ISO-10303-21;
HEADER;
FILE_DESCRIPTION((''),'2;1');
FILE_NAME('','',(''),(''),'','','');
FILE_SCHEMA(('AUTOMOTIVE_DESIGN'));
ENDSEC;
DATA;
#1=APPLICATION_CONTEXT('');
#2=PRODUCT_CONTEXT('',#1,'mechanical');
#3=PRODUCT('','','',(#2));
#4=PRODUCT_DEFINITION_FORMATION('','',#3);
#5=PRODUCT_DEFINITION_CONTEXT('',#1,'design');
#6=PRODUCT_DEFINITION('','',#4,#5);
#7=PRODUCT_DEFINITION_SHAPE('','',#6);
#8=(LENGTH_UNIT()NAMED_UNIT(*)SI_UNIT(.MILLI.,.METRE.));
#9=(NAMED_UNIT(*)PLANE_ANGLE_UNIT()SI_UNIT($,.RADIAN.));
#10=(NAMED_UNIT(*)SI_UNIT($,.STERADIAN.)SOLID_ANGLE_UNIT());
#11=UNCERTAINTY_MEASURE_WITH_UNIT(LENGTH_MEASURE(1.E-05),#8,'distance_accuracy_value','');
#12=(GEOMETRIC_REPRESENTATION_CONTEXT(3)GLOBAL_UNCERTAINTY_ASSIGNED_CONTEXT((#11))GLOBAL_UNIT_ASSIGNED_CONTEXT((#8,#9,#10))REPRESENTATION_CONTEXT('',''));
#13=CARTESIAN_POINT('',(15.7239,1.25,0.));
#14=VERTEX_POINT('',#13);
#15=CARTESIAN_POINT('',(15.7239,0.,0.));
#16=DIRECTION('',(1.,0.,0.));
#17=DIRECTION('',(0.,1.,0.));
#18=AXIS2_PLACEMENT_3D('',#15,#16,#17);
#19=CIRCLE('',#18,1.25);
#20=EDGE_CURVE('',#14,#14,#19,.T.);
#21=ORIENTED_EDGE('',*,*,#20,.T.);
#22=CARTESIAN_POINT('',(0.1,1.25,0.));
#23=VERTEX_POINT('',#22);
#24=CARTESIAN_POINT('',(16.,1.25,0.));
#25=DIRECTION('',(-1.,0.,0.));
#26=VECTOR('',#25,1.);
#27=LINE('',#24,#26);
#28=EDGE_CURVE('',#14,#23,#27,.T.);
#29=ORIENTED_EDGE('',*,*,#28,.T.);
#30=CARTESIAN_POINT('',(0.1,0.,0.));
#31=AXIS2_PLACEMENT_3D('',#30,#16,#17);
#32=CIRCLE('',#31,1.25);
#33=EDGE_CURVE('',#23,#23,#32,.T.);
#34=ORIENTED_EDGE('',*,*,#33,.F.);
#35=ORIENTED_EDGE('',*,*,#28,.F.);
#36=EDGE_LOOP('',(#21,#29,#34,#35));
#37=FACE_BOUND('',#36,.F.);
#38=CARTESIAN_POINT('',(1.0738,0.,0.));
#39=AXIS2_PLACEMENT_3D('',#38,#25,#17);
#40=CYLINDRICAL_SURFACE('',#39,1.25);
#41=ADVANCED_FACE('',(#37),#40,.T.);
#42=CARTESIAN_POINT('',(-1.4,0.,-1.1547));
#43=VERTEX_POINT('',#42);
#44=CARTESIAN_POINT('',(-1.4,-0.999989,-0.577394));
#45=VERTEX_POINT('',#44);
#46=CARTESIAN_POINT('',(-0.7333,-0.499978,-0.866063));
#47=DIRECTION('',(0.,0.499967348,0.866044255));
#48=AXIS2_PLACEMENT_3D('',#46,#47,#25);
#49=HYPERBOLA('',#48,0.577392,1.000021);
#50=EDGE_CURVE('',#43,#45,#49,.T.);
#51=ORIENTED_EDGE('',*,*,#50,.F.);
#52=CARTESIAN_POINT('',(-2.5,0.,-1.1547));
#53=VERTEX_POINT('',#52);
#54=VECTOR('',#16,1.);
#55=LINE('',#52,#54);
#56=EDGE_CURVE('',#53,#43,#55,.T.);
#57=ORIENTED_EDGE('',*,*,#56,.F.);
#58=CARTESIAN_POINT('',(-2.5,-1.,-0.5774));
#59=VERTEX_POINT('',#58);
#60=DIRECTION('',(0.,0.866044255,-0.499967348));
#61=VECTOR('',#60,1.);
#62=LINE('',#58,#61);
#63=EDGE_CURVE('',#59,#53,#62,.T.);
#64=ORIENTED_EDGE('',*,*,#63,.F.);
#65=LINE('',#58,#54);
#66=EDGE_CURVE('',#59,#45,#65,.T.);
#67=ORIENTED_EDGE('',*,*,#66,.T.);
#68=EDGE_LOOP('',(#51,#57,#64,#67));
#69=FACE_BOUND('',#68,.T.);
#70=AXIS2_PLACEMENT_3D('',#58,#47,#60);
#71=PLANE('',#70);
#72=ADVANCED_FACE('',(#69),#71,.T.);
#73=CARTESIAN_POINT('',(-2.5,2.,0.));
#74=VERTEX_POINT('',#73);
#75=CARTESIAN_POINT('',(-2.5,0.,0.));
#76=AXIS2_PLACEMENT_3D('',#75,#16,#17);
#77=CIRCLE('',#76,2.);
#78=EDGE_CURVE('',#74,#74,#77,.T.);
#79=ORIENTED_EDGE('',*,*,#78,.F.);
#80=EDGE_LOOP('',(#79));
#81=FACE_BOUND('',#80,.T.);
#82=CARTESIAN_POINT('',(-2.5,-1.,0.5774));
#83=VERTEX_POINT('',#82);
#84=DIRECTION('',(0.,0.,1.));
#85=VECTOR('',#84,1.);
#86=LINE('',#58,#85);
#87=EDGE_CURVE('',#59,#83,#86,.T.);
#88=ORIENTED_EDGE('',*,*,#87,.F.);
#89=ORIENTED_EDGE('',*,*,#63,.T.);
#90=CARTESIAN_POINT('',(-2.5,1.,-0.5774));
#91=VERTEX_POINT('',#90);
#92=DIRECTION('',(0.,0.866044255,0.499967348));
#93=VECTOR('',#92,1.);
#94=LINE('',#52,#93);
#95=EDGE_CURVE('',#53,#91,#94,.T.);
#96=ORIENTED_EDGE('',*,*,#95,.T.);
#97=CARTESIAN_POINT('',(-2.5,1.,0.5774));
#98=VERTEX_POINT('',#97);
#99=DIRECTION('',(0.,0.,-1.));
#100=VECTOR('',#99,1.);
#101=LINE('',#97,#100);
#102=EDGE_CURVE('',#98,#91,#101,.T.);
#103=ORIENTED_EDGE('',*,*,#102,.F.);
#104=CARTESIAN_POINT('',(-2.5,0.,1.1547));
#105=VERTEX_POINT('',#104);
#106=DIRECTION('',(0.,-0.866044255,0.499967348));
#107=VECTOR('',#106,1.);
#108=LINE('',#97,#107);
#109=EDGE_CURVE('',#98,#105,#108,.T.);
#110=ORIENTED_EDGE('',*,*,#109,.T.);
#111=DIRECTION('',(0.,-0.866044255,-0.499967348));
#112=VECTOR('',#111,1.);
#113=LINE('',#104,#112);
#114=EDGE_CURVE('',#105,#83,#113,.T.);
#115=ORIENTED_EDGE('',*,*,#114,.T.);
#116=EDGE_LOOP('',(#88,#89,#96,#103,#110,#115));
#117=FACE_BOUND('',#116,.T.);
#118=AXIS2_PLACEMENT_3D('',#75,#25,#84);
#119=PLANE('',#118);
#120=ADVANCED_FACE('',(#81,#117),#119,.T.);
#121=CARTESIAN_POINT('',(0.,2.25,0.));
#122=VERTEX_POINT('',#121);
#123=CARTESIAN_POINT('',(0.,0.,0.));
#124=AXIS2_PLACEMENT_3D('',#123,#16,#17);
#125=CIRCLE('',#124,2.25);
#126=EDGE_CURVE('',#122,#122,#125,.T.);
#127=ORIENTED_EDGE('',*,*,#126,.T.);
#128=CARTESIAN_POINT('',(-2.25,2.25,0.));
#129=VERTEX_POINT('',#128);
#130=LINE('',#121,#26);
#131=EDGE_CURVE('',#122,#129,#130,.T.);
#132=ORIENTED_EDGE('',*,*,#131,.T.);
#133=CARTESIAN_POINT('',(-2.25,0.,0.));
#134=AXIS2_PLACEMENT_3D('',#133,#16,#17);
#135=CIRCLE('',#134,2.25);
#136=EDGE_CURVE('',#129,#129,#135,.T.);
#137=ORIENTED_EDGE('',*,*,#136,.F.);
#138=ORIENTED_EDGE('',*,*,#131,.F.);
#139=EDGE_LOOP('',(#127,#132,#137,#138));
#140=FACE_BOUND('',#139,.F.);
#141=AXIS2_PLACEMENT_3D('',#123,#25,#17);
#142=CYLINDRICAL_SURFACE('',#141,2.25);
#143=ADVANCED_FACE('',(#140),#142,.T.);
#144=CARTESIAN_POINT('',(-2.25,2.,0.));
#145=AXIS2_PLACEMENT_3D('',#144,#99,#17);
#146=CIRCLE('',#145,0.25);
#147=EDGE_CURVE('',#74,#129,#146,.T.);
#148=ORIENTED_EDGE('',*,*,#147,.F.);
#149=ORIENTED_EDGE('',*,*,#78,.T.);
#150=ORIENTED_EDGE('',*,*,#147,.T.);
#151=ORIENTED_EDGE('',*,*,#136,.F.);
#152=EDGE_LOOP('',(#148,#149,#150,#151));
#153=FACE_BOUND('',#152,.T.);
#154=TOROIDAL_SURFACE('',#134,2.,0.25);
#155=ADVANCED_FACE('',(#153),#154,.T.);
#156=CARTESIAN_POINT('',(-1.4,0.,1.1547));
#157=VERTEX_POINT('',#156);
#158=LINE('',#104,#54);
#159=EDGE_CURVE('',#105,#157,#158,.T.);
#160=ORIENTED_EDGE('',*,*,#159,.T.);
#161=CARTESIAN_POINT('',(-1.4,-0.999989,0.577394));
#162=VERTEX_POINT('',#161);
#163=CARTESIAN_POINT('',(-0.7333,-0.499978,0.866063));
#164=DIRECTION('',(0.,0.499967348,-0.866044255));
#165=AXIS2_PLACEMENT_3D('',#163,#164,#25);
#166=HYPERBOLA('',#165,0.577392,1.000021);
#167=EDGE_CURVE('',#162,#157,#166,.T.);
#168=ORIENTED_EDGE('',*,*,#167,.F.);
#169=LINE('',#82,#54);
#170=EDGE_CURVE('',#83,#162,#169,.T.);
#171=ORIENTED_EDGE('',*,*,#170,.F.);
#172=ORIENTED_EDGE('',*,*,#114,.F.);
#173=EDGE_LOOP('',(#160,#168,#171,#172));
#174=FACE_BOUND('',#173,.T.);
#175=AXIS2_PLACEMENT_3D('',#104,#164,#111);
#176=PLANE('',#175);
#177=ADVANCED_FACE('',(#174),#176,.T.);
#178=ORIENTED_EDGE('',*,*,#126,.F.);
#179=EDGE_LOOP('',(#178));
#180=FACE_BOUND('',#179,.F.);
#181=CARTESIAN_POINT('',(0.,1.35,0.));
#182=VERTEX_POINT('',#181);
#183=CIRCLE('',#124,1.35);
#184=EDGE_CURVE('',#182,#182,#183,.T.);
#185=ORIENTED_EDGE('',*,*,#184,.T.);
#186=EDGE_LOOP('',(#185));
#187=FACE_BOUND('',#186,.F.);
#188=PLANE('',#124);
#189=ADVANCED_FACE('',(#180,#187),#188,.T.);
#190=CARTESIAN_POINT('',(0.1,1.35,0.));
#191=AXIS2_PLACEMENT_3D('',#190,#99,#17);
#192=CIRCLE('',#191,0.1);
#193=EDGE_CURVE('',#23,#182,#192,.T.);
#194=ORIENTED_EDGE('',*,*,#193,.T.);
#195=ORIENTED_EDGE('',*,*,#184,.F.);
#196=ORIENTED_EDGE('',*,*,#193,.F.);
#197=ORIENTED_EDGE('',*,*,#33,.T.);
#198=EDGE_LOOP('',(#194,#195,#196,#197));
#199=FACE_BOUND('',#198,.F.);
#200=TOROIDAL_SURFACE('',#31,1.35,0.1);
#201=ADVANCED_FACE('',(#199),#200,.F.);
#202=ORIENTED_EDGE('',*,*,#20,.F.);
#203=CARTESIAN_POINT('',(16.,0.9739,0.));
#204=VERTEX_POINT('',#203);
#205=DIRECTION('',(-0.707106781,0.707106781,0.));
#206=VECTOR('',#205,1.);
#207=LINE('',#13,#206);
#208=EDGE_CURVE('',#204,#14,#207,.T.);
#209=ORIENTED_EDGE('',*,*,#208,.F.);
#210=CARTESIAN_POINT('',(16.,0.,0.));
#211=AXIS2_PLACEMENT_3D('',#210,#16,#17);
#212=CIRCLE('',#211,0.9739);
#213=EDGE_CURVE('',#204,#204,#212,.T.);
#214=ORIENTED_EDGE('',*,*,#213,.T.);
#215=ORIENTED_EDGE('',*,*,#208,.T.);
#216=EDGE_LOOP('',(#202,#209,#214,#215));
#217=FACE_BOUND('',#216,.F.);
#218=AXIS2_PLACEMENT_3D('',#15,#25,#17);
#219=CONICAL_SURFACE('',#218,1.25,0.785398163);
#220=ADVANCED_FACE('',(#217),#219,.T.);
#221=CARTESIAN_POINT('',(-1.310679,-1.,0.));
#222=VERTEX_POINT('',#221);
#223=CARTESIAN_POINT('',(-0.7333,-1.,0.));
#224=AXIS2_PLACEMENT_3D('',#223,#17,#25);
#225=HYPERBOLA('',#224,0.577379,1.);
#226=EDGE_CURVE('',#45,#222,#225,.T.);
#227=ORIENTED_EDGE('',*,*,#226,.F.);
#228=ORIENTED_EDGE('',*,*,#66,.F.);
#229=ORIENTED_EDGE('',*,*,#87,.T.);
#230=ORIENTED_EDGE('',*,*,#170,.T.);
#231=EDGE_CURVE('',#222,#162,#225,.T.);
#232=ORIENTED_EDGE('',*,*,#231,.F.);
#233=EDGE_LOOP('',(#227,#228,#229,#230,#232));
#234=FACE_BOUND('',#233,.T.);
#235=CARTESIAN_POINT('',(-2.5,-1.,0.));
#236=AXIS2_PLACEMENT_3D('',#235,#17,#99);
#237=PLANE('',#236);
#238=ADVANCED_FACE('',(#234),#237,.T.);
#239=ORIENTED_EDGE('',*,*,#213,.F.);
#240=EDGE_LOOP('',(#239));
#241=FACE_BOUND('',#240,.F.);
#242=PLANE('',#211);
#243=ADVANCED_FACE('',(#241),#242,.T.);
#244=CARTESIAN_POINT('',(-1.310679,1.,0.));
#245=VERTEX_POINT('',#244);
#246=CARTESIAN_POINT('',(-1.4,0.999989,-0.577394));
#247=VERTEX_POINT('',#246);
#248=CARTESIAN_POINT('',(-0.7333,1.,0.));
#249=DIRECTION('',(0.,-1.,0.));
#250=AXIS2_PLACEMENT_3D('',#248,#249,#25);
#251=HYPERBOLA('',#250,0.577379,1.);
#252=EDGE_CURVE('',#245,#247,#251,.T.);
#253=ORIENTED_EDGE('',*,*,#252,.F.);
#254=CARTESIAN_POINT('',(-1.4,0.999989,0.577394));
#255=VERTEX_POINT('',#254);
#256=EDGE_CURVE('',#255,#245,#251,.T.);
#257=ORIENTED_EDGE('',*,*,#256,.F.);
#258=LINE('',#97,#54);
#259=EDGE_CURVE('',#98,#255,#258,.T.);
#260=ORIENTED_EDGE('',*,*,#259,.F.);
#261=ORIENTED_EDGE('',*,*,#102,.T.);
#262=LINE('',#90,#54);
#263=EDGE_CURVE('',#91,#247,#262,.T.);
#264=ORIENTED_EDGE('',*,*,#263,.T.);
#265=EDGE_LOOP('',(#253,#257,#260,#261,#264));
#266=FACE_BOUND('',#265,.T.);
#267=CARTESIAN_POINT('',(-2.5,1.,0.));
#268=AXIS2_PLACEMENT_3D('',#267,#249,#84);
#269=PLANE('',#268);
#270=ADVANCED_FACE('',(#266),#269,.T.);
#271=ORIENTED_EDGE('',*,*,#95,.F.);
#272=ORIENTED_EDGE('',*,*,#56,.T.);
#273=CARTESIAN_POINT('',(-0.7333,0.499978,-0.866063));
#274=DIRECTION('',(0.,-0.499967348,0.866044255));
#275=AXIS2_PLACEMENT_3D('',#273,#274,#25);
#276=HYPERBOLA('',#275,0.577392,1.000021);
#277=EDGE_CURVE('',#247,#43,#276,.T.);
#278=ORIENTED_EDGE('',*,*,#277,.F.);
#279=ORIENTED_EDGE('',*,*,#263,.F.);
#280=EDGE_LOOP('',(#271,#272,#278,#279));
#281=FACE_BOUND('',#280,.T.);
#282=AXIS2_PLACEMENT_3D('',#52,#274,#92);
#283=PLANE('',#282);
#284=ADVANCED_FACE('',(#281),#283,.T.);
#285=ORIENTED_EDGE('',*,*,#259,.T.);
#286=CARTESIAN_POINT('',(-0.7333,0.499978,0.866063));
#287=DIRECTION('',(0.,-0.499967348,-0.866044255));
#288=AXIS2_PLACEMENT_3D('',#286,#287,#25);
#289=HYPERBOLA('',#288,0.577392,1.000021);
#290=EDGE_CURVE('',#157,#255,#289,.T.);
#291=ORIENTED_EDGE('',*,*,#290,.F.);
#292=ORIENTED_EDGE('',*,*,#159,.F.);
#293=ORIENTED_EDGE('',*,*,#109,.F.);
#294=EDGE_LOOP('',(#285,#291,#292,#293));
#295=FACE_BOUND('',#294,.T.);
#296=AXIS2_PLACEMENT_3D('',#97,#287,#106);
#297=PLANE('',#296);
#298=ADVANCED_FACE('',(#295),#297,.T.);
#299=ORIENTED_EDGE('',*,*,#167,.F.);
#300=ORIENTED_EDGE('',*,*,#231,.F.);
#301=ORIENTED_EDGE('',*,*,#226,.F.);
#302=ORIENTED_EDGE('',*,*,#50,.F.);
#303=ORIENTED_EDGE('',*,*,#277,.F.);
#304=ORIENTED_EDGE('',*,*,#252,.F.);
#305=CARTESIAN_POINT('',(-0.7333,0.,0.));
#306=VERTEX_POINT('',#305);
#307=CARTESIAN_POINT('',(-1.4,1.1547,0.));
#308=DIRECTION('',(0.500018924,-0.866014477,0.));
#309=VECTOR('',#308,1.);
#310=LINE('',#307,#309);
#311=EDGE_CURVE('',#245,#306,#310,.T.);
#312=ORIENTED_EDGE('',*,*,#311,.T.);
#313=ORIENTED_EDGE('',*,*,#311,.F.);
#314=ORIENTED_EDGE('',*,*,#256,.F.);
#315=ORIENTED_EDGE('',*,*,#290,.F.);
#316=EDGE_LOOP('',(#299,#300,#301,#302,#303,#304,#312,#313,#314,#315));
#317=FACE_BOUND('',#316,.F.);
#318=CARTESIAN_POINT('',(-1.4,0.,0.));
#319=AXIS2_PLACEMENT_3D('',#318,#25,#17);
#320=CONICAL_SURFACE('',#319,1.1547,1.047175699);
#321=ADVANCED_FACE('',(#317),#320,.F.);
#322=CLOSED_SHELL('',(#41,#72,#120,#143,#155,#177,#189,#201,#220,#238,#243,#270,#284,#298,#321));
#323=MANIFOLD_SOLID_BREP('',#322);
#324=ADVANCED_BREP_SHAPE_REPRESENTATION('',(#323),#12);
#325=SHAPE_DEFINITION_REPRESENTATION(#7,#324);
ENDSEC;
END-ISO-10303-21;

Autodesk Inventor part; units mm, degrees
ref_plane "YZ Plane" through (0, 0, 0) normal (1, 0, 0) x (0, 1, 0)
ref_plane "XZ Plane" through (0, 0, 0) normal (0, 1, 0) x (-1, 0, 0)
sketch "Эскиз1" plane through (0, 0, 0) normal (0, 0, 1) x (1, 0, 0)
  line L0 (-0.7333, 0) -> (16, 0)
  line L1 (16, 0) -> (16, 1.25)
  line L2 (16, 1.25) -> (1.35, 1.25)
  line L3 (1.35, 1.25) -> (1.0738, 1.25)
  line L4 (1.0738, 1.25) -> (0, 1.25)
  line L5 (0, 1.25) -> (0, 2.25)
  line L6 (0, 2.25) -> (-2.5, 2.25)
  line L7 (-2.5, 2.25) -> (-2.5, 1.1547)
  line L8 (-2.5, 1.1547) -> (-1.4, 1.1547)
  line L9 (-1.4, 1.1547) -> (-0.7333, 0)
  line L10 (-6.2, 0) -> (19.7, 0) projected
  line L11 (0, -0.45) -> (0, 2.7) projected
  line L12 (1.35, 1.25) -> (0, 1.25) construction
  dimension "d1" = 14.65
  dimension "d2" = 0.2762
  dimension "d3" = 2.5
  dimension "d4" = 1.1
  dimension "d5" = 60
  dimension "d6" = 2.5
  dimension "d7" = 2.5
  dimension "d8" = 2.3094
  dimension "d9" = 4.5
  dimension "d26" = 16
revolve "Базовый элемент" add sketch "Эскиз1" angle 360 about axis through (-0.7333, 0, 0) along (1, 0, 0)
sketch "Эскиз2" plane through (-2.5, 0, 0) normal (-1, 0, 0) x (0, 0, 1)
  circle A0 centre (0, 0) radius 1.1547 projected
  line L0 (0, -3.15) -> (0, 3.15) projected
  line L1 (-3.15, 0) -> (3.15, 0) projected
  line L2 (1.1547, 0) -> (0.5774, -1)
  line L3 (0.5774, -1) -> (-0.5774, -1)
  line L4 (-0.5774, -1) -> (-1.1547, 0)
  line L5 (-1.1547, 0) -> (-0.5774, 1)
  line L6 (-0.5774, 1) -> (0.5774, 1)
  line L7 (0.5774, 1) -> (1.1547, 0)
extrude "Паз" add sketch "Эскиз2" against normal up to next contours L7 A0 | A0 L2 | L6 L0 A0 | A0 L0 L3 | L0 L6 A0 | A0 L3 L0 | L4 A0 | A0 L5
fillet "Сопряжение1" radius 0.25 1 edges at (-2.5, -2.25, 0)
thread "Резьба" size "M2.5x0.45" class "6g" standard "ISO Metric profile" length 14.65
chamfer "Фаска1" distance 0.2761 distance2 0.2761 1 edges at (16, -1.25, 0) measured on face at (16, -0.3871, -0.3429)
ref_plane "Work Plane1" through (29, 0, 0) normal (0, -1, 0) x (1, 0, 0)
fillet "Fillet2" radius 0.1 1 edges at (0, -1.25, 0)
equation "\"d1\" = GEL"
equation "\"d3\" = KOH"
equation "\"d4\" = INTI"
equation "\"d6\" = GD"
equation "\"d7\" = BDM"
equation "\"d8\" = 1.1547 * SW"
equation "\"d9\" = KOD"
equation "\"d26\" = NLG"
equation "\"d30\" = R"
equation "\"d17\" = RR"
equation "\"d13\" = GEL"
equation "\"d15\" = -0.5 * SPD + 0.5 * GD"
equation "\"d16\" = GUL"
equation "\"GD\" = 2.5"
equation "\"NLG\" = 16"
equation "\"GEL\" = 14.65"
equation "\"KOD\" = 4.5"
equation "\"KOH\" = 2.5"
equation "\"INTI\" = 1.1"
equation "\"GAL\" = 0.61345 * PTC"
equation "\"GUL\" = 0.61345 * PTC"
equation "\"BDM\" = NND"
equation "\"SW\" = 2"
equation "\"RR\" = 0.25"
equation "\"SPD\" = NND - 1.2269 * PTC"
equation "\"R\" = 0.1"
equation "\"TOA\" = 30deg"
equation "\"GD1\" = THREADDIA - 1.2269 * PTC"
equation "\"THREADDIA\" = 2.5"
equation "\"FAWI\" = 45deg"
equation "\"PTC\" = 0.45"
equation "\"NND\" = 2.5"
equation "\"E0\" = 1.155 * SW"
properties part number "ISO 4762  - M2,5 x 16" material "Сталь нержавеющая, 440C"
